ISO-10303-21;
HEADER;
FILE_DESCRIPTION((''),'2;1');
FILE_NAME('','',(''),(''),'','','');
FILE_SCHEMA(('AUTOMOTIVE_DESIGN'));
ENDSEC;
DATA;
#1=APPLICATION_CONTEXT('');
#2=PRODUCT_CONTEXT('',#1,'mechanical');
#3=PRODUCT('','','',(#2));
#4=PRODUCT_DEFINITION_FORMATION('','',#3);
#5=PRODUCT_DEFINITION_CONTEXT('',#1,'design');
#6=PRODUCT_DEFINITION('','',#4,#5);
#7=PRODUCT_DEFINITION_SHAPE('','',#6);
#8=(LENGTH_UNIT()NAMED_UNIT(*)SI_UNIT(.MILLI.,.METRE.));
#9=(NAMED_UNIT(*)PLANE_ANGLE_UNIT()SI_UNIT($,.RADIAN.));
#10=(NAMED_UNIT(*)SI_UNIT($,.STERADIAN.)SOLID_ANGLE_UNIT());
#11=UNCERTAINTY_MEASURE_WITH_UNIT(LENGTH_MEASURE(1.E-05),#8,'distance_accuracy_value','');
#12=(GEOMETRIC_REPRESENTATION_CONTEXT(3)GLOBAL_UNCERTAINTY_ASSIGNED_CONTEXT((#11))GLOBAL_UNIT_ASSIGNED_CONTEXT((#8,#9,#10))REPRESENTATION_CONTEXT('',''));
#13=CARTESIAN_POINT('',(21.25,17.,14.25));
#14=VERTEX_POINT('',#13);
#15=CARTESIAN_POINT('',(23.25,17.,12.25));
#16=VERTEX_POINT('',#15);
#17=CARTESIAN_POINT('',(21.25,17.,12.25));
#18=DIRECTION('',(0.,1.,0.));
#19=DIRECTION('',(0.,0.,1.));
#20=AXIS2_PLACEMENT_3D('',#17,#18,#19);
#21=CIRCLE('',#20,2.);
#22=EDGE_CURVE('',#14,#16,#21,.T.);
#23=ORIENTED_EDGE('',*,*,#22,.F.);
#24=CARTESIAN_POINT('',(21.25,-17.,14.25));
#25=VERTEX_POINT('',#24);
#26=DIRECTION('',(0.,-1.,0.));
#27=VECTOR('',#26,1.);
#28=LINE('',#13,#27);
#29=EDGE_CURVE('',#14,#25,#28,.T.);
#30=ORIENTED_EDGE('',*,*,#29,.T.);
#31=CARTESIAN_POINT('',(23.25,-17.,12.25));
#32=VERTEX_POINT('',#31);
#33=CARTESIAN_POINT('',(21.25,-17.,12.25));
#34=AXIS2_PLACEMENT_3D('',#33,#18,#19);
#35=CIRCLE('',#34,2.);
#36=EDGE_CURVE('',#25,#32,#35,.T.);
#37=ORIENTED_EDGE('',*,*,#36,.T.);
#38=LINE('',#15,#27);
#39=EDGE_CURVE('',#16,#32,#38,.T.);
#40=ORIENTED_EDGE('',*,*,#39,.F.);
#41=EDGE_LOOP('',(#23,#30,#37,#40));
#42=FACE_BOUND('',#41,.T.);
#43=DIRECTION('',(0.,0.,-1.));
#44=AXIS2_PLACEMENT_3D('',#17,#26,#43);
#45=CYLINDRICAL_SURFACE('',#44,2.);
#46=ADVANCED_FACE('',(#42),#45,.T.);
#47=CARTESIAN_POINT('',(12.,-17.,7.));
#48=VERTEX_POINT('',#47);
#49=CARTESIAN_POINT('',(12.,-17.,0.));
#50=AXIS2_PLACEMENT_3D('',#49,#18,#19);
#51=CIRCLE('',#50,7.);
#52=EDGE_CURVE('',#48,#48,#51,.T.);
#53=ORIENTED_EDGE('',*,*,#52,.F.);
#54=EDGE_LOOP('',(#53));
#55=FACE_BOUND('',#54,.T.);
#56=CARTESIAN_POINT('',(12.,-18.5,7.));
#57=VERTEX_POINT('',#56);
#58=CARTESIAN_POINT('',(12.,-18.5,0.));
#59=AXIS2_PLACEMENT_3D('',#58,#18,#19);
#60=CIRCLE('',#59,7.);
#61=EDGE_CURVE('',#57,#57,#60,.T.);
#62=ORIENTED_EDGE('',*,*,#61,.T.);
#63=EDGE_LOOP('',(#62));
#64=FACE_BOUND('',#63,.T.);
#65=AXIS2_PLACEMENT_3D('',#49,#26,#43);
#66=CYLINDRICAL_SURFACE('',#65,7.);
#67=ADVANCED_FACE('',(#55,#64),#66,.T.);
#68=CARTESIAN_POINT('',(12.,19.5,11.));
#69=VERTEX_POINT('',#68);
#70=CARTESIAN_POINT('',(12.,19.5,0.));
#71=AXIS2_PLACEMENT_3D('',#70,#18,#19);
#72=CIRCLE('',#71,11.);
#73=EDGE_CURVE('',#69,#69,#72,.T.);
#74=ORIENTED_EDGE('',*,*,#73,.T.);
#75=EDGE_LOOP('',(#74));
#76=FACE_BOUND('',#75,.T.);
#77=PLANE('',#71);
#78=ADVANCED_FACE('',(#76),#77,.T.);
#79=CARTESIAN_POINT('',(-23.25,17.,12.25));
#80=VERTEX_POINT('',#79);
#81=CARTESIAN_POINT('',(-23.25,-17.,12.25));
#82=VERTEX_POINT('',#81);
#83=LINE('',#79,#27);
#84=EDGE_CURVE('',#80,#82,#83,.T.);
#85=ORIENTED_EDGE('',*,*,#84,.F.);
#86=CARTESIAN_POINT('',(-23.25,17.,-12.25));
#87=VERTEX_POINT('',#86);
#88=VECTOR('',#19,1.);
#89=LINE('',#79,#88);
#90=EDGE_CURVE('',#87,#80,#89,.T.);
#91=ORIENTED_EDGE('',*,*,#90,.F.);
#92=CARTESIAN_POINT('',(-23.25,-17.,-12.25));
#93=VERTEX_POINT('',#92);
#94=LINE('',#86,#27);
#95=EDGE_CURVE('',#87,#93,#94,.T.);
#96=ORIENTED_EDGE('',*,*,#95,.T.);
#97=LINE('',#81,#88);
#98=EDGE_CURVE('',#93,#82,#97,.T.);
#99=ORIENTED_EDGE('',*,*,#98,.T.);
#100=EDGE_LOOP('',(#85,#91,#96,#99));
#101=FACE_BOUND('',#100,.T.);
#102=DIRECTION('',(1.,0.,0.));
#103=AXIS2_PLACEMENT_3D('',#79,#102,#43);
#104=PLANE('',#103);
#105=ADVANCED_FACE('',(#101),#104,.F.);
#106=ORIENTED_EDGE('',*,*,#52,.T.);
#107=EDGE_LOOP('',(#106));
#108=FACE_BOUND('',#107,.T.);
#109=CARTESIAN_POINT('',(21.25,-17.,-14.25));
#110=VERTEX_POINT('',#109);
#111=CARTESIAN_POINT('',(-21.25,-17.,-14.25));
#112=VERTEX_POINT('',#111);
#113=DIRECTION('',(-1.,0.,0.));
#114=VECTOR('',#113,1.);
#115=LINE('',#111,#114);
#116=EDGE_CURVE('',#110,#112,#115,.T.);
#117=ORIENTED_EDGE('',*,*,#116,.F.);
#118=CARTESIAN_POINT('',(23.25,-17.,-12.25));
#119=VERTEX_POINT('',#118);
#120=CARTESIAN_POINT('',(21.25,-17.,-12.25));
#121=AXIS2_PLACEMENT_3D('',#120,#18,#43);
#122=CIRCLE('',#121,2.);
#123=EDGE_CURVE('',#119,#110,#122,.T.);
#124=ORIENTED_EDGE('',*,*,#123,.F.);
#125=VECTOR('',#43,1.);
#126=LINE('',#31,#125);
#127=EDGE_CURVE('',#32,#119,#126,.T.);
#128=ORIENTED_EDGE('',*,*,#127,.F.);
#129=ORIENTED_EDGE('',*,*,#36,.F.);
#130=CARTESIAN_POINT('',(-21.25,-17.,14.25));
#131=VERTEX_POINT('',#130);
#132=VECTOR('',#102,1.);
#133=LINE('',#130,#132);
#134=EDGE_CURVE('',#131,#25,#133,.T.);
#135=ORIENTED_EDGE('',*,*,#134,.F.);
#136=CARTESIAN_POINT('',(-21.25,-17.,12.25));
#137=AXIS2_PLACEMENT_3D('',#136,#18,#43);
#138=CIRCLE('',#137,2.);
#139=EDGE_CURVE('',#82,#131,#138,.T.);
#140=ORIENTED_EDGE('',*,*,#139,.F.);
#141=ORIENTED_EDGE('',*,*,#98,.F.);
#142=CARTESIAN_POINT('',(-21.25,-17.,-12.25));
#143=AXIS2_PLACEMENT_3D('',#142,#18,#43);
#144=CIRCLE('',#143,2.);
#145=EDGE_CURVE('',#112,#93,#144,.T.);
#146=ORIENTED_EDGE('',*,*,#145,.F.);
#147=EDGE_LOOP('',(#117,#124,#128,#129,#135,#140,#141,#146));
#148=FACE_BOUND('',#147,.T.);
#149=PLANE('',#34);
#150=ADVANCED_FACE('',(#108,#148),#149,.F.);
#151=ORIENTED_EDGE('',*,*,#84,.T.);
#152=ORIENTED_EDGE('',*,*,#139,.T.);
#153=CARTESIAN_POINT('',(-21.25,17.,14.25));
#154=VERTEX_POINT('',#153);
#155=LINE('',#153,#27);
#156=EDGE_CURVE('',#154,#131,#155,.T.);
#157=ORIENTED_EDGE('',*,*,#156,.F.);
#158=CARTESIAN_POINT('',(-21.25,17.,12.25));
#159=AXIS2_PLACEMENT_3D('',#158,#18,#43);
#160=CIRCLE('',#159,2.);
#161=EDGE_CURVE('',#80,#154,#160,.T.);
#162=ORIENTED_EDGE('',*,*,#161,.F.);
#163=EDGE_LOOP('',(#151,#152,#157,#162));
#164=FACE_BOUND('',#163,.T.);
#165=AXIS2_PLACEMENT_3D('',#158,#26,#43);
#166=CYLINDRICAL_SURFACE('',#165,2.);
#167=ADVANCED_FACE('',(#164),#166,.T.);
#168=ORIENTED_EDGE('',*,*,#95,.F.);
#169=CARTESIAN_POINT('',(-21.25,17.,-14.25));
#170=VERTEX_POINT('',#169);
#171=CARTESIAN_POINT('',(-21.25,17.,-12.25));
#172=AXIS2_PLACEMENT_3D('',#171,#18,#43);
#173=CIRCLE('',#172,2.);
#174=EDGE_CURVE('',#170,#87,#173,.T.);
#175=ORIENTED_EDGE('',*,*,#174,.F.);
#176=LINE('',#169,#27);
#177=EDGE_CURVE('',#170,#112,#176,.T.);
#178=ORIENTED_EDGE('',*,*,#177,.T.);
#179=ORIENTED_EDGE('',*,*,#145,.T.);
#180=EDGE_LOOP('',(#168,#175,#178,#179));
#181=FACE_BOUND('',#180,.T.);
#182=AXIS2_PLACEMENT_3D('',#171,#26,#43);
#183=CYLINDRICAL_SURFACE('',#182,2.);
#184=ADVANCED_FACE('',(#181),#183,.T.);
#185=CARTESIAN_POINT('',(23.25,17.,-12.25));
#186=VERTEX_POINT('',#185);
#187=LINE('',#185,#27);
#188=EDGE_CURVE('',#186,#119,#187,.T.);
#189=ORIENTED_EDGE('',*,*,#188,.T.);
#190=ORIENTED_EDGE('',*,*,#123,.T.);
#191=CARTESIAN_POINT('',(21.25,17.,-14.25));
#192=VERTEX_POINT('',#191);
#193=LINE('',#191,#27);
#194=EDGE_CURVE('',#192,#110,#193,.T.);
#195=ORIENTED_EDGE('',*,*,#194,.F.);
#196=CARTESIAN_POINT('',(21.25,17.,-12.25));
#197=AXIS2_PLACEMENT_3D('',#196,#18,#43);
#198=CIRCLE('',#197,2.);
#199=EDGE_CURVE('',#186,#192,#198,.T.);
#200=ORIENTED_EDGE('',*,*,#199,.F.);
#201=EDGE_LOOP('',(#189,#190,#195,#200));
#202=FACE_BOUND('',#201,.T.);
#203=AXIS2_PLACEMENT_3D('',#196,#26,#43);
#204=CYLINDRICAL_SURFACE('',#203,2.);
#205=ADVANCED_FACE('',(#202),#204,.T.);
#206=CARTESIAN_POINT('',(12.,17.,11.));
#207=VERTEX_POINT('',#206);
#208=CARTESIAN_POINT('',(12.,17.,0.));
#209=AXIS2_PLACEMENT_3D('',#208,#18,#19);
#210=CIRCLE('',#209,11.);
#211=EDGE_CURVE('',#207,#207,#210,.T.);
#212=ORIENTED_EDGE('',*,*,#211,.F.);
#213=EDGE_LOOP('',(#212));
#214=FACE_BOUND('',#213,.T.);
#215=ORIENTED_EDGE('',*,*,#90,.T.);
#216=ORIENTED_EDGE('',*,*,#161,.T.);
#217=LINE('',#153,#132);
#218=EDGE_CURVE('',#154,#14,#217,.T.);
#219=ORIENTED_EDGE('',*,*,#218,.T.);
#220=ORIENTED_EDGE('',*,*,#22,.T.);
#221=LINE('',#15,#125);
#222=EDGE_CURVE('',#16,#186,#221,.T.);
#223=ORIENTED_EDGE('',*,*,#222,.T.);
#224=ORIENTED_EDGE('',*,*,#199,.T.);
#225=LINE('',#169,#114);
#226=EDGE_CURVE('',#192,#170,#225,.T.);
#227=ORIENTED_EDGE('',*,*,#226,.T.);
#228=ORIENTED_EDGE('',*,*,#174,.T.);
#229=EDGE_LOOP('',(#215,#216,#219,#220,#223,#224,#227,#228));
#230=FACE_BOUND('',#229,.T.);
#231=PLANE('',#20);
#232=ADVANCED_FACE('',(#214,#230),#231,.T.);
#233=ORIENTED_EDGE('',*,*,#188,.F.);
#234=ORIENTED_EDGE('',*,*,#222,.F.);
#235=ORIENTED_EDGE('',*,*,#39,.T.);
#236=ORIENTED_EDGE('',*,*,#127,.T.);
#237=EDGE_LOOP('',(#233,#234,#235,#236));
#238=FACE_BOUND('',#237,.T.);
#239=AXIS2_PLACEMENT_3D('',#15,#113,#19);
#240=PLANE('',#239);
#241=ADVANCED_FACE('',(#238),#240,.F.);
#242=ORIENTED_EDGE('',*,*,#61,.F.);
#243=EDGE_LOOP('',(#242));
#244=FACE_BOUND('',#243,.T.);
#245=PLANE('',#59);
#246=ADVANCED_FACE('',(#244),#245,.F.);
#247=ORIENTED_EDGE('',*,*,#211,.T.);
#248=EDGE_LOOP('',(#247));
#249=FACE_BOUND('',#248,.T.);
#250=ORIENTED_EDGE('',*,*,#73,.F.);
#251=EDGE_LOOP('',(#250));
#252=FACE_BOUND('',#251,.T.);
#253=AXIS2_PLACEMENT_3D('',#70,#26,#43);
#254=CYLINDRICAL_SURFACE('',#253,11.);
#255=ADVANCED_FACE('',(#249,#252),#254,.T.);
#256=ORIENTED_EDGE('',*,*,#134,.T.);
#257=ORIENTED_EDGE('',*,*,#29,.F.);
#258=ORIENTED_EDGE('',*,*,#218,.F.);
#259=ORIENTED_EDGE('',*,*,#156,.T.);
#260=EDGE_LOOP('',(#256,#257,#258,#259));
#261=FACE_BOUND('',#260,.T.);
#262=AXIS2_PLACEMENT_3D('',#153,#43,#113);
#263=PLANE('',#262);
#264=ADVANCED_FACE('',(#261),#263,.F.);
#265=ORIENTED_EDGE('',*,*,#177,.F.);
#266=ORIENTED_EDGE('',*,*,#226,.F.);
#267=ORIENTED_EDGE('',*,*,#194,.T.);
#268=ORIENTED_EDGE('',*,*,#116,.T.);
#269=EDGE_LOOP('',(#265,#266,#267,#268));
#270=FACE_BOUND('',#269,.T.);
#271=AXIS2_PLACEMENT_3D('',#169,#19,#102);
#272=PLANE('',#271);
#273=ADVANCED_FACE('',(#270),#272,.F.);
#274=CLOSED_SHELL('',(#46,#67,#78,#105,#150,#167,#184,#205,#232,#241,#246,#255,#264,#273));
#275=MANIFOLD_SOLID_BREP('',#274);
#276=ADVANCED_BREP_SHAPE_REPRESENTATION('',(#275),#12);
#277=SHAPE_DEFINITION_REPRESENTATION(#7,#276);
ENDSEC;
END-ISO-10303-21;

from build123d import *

# Parameters (mm, degrees)
HOUSING_START = -17
HOUSING_DEPTH = 34
HORN_START    = 17
SK_2_R        = 11
HORN_DEPTH    = 2.5
IDLER_START   = -18.5
SK_3_R        = 7
IDLER_DEPTH   = 1.5


with BuildPart() as part:
    # SK_1 → Housing (new body)
    with BuildSketch(Plane(origin=(0, 0, 0), x_dir=(1, 0, 0), z_dir=(0, 1, 0)).offset(HOUSING_START)):
        with BuildLine():
            Line((-21.25, -14.25), (21.25, -14.25))
            ThreePointArc((21.25, -14.25), (22.664213562, -13.664213562), (23.25, -12.25))
            Line((23.25, -12.25), (23.25, 12.25))
            ThreePointArc((23.25, 12.25), (22.664213562, 13.664213562), (21.25, 14.25))
            Line((21.25, 14.25), (-21.25, 14.25))
            ThreePointArc((-21.25, 14.25), (-22.664213562, 13.664213562), (-23.25, 12.25))
            Line((-23.25, 12.25), (-23.25, -12.25))
            ThreePointArc((-23.25, -12.25), (-22.664213562, -13.664213562), (-21.25, -14.25))
        make_face()
    extrude(amount=HOUSING_DEPTH)

    # SK_2 → Horn (add)
    with BuildSketch(Plane(origin=(0, 0, 0), x_dir=(1, 0, 0), z_dir=(0, 1, 0)).offset(HORN_START)):
        with Locations(Location((12, 0, 0), (0, 0, 270))):
            Circle(SK_2_R)
    extrude(amount=HORN_DEPTH)

    # SK_3 → Idler (add)
    with BuildSketch(Plane(origin=(0, 0, 0), x_dir=(1, 0, 0), z_dir=(0, 1, 0)).offset(IDLER_START)):
        with Locations(Location((12, 0, 0), (0, 0, 270))):
            Circle(SK_3_R)
    extrude(amount=IDLER_DEPTH)


solid = part.part
